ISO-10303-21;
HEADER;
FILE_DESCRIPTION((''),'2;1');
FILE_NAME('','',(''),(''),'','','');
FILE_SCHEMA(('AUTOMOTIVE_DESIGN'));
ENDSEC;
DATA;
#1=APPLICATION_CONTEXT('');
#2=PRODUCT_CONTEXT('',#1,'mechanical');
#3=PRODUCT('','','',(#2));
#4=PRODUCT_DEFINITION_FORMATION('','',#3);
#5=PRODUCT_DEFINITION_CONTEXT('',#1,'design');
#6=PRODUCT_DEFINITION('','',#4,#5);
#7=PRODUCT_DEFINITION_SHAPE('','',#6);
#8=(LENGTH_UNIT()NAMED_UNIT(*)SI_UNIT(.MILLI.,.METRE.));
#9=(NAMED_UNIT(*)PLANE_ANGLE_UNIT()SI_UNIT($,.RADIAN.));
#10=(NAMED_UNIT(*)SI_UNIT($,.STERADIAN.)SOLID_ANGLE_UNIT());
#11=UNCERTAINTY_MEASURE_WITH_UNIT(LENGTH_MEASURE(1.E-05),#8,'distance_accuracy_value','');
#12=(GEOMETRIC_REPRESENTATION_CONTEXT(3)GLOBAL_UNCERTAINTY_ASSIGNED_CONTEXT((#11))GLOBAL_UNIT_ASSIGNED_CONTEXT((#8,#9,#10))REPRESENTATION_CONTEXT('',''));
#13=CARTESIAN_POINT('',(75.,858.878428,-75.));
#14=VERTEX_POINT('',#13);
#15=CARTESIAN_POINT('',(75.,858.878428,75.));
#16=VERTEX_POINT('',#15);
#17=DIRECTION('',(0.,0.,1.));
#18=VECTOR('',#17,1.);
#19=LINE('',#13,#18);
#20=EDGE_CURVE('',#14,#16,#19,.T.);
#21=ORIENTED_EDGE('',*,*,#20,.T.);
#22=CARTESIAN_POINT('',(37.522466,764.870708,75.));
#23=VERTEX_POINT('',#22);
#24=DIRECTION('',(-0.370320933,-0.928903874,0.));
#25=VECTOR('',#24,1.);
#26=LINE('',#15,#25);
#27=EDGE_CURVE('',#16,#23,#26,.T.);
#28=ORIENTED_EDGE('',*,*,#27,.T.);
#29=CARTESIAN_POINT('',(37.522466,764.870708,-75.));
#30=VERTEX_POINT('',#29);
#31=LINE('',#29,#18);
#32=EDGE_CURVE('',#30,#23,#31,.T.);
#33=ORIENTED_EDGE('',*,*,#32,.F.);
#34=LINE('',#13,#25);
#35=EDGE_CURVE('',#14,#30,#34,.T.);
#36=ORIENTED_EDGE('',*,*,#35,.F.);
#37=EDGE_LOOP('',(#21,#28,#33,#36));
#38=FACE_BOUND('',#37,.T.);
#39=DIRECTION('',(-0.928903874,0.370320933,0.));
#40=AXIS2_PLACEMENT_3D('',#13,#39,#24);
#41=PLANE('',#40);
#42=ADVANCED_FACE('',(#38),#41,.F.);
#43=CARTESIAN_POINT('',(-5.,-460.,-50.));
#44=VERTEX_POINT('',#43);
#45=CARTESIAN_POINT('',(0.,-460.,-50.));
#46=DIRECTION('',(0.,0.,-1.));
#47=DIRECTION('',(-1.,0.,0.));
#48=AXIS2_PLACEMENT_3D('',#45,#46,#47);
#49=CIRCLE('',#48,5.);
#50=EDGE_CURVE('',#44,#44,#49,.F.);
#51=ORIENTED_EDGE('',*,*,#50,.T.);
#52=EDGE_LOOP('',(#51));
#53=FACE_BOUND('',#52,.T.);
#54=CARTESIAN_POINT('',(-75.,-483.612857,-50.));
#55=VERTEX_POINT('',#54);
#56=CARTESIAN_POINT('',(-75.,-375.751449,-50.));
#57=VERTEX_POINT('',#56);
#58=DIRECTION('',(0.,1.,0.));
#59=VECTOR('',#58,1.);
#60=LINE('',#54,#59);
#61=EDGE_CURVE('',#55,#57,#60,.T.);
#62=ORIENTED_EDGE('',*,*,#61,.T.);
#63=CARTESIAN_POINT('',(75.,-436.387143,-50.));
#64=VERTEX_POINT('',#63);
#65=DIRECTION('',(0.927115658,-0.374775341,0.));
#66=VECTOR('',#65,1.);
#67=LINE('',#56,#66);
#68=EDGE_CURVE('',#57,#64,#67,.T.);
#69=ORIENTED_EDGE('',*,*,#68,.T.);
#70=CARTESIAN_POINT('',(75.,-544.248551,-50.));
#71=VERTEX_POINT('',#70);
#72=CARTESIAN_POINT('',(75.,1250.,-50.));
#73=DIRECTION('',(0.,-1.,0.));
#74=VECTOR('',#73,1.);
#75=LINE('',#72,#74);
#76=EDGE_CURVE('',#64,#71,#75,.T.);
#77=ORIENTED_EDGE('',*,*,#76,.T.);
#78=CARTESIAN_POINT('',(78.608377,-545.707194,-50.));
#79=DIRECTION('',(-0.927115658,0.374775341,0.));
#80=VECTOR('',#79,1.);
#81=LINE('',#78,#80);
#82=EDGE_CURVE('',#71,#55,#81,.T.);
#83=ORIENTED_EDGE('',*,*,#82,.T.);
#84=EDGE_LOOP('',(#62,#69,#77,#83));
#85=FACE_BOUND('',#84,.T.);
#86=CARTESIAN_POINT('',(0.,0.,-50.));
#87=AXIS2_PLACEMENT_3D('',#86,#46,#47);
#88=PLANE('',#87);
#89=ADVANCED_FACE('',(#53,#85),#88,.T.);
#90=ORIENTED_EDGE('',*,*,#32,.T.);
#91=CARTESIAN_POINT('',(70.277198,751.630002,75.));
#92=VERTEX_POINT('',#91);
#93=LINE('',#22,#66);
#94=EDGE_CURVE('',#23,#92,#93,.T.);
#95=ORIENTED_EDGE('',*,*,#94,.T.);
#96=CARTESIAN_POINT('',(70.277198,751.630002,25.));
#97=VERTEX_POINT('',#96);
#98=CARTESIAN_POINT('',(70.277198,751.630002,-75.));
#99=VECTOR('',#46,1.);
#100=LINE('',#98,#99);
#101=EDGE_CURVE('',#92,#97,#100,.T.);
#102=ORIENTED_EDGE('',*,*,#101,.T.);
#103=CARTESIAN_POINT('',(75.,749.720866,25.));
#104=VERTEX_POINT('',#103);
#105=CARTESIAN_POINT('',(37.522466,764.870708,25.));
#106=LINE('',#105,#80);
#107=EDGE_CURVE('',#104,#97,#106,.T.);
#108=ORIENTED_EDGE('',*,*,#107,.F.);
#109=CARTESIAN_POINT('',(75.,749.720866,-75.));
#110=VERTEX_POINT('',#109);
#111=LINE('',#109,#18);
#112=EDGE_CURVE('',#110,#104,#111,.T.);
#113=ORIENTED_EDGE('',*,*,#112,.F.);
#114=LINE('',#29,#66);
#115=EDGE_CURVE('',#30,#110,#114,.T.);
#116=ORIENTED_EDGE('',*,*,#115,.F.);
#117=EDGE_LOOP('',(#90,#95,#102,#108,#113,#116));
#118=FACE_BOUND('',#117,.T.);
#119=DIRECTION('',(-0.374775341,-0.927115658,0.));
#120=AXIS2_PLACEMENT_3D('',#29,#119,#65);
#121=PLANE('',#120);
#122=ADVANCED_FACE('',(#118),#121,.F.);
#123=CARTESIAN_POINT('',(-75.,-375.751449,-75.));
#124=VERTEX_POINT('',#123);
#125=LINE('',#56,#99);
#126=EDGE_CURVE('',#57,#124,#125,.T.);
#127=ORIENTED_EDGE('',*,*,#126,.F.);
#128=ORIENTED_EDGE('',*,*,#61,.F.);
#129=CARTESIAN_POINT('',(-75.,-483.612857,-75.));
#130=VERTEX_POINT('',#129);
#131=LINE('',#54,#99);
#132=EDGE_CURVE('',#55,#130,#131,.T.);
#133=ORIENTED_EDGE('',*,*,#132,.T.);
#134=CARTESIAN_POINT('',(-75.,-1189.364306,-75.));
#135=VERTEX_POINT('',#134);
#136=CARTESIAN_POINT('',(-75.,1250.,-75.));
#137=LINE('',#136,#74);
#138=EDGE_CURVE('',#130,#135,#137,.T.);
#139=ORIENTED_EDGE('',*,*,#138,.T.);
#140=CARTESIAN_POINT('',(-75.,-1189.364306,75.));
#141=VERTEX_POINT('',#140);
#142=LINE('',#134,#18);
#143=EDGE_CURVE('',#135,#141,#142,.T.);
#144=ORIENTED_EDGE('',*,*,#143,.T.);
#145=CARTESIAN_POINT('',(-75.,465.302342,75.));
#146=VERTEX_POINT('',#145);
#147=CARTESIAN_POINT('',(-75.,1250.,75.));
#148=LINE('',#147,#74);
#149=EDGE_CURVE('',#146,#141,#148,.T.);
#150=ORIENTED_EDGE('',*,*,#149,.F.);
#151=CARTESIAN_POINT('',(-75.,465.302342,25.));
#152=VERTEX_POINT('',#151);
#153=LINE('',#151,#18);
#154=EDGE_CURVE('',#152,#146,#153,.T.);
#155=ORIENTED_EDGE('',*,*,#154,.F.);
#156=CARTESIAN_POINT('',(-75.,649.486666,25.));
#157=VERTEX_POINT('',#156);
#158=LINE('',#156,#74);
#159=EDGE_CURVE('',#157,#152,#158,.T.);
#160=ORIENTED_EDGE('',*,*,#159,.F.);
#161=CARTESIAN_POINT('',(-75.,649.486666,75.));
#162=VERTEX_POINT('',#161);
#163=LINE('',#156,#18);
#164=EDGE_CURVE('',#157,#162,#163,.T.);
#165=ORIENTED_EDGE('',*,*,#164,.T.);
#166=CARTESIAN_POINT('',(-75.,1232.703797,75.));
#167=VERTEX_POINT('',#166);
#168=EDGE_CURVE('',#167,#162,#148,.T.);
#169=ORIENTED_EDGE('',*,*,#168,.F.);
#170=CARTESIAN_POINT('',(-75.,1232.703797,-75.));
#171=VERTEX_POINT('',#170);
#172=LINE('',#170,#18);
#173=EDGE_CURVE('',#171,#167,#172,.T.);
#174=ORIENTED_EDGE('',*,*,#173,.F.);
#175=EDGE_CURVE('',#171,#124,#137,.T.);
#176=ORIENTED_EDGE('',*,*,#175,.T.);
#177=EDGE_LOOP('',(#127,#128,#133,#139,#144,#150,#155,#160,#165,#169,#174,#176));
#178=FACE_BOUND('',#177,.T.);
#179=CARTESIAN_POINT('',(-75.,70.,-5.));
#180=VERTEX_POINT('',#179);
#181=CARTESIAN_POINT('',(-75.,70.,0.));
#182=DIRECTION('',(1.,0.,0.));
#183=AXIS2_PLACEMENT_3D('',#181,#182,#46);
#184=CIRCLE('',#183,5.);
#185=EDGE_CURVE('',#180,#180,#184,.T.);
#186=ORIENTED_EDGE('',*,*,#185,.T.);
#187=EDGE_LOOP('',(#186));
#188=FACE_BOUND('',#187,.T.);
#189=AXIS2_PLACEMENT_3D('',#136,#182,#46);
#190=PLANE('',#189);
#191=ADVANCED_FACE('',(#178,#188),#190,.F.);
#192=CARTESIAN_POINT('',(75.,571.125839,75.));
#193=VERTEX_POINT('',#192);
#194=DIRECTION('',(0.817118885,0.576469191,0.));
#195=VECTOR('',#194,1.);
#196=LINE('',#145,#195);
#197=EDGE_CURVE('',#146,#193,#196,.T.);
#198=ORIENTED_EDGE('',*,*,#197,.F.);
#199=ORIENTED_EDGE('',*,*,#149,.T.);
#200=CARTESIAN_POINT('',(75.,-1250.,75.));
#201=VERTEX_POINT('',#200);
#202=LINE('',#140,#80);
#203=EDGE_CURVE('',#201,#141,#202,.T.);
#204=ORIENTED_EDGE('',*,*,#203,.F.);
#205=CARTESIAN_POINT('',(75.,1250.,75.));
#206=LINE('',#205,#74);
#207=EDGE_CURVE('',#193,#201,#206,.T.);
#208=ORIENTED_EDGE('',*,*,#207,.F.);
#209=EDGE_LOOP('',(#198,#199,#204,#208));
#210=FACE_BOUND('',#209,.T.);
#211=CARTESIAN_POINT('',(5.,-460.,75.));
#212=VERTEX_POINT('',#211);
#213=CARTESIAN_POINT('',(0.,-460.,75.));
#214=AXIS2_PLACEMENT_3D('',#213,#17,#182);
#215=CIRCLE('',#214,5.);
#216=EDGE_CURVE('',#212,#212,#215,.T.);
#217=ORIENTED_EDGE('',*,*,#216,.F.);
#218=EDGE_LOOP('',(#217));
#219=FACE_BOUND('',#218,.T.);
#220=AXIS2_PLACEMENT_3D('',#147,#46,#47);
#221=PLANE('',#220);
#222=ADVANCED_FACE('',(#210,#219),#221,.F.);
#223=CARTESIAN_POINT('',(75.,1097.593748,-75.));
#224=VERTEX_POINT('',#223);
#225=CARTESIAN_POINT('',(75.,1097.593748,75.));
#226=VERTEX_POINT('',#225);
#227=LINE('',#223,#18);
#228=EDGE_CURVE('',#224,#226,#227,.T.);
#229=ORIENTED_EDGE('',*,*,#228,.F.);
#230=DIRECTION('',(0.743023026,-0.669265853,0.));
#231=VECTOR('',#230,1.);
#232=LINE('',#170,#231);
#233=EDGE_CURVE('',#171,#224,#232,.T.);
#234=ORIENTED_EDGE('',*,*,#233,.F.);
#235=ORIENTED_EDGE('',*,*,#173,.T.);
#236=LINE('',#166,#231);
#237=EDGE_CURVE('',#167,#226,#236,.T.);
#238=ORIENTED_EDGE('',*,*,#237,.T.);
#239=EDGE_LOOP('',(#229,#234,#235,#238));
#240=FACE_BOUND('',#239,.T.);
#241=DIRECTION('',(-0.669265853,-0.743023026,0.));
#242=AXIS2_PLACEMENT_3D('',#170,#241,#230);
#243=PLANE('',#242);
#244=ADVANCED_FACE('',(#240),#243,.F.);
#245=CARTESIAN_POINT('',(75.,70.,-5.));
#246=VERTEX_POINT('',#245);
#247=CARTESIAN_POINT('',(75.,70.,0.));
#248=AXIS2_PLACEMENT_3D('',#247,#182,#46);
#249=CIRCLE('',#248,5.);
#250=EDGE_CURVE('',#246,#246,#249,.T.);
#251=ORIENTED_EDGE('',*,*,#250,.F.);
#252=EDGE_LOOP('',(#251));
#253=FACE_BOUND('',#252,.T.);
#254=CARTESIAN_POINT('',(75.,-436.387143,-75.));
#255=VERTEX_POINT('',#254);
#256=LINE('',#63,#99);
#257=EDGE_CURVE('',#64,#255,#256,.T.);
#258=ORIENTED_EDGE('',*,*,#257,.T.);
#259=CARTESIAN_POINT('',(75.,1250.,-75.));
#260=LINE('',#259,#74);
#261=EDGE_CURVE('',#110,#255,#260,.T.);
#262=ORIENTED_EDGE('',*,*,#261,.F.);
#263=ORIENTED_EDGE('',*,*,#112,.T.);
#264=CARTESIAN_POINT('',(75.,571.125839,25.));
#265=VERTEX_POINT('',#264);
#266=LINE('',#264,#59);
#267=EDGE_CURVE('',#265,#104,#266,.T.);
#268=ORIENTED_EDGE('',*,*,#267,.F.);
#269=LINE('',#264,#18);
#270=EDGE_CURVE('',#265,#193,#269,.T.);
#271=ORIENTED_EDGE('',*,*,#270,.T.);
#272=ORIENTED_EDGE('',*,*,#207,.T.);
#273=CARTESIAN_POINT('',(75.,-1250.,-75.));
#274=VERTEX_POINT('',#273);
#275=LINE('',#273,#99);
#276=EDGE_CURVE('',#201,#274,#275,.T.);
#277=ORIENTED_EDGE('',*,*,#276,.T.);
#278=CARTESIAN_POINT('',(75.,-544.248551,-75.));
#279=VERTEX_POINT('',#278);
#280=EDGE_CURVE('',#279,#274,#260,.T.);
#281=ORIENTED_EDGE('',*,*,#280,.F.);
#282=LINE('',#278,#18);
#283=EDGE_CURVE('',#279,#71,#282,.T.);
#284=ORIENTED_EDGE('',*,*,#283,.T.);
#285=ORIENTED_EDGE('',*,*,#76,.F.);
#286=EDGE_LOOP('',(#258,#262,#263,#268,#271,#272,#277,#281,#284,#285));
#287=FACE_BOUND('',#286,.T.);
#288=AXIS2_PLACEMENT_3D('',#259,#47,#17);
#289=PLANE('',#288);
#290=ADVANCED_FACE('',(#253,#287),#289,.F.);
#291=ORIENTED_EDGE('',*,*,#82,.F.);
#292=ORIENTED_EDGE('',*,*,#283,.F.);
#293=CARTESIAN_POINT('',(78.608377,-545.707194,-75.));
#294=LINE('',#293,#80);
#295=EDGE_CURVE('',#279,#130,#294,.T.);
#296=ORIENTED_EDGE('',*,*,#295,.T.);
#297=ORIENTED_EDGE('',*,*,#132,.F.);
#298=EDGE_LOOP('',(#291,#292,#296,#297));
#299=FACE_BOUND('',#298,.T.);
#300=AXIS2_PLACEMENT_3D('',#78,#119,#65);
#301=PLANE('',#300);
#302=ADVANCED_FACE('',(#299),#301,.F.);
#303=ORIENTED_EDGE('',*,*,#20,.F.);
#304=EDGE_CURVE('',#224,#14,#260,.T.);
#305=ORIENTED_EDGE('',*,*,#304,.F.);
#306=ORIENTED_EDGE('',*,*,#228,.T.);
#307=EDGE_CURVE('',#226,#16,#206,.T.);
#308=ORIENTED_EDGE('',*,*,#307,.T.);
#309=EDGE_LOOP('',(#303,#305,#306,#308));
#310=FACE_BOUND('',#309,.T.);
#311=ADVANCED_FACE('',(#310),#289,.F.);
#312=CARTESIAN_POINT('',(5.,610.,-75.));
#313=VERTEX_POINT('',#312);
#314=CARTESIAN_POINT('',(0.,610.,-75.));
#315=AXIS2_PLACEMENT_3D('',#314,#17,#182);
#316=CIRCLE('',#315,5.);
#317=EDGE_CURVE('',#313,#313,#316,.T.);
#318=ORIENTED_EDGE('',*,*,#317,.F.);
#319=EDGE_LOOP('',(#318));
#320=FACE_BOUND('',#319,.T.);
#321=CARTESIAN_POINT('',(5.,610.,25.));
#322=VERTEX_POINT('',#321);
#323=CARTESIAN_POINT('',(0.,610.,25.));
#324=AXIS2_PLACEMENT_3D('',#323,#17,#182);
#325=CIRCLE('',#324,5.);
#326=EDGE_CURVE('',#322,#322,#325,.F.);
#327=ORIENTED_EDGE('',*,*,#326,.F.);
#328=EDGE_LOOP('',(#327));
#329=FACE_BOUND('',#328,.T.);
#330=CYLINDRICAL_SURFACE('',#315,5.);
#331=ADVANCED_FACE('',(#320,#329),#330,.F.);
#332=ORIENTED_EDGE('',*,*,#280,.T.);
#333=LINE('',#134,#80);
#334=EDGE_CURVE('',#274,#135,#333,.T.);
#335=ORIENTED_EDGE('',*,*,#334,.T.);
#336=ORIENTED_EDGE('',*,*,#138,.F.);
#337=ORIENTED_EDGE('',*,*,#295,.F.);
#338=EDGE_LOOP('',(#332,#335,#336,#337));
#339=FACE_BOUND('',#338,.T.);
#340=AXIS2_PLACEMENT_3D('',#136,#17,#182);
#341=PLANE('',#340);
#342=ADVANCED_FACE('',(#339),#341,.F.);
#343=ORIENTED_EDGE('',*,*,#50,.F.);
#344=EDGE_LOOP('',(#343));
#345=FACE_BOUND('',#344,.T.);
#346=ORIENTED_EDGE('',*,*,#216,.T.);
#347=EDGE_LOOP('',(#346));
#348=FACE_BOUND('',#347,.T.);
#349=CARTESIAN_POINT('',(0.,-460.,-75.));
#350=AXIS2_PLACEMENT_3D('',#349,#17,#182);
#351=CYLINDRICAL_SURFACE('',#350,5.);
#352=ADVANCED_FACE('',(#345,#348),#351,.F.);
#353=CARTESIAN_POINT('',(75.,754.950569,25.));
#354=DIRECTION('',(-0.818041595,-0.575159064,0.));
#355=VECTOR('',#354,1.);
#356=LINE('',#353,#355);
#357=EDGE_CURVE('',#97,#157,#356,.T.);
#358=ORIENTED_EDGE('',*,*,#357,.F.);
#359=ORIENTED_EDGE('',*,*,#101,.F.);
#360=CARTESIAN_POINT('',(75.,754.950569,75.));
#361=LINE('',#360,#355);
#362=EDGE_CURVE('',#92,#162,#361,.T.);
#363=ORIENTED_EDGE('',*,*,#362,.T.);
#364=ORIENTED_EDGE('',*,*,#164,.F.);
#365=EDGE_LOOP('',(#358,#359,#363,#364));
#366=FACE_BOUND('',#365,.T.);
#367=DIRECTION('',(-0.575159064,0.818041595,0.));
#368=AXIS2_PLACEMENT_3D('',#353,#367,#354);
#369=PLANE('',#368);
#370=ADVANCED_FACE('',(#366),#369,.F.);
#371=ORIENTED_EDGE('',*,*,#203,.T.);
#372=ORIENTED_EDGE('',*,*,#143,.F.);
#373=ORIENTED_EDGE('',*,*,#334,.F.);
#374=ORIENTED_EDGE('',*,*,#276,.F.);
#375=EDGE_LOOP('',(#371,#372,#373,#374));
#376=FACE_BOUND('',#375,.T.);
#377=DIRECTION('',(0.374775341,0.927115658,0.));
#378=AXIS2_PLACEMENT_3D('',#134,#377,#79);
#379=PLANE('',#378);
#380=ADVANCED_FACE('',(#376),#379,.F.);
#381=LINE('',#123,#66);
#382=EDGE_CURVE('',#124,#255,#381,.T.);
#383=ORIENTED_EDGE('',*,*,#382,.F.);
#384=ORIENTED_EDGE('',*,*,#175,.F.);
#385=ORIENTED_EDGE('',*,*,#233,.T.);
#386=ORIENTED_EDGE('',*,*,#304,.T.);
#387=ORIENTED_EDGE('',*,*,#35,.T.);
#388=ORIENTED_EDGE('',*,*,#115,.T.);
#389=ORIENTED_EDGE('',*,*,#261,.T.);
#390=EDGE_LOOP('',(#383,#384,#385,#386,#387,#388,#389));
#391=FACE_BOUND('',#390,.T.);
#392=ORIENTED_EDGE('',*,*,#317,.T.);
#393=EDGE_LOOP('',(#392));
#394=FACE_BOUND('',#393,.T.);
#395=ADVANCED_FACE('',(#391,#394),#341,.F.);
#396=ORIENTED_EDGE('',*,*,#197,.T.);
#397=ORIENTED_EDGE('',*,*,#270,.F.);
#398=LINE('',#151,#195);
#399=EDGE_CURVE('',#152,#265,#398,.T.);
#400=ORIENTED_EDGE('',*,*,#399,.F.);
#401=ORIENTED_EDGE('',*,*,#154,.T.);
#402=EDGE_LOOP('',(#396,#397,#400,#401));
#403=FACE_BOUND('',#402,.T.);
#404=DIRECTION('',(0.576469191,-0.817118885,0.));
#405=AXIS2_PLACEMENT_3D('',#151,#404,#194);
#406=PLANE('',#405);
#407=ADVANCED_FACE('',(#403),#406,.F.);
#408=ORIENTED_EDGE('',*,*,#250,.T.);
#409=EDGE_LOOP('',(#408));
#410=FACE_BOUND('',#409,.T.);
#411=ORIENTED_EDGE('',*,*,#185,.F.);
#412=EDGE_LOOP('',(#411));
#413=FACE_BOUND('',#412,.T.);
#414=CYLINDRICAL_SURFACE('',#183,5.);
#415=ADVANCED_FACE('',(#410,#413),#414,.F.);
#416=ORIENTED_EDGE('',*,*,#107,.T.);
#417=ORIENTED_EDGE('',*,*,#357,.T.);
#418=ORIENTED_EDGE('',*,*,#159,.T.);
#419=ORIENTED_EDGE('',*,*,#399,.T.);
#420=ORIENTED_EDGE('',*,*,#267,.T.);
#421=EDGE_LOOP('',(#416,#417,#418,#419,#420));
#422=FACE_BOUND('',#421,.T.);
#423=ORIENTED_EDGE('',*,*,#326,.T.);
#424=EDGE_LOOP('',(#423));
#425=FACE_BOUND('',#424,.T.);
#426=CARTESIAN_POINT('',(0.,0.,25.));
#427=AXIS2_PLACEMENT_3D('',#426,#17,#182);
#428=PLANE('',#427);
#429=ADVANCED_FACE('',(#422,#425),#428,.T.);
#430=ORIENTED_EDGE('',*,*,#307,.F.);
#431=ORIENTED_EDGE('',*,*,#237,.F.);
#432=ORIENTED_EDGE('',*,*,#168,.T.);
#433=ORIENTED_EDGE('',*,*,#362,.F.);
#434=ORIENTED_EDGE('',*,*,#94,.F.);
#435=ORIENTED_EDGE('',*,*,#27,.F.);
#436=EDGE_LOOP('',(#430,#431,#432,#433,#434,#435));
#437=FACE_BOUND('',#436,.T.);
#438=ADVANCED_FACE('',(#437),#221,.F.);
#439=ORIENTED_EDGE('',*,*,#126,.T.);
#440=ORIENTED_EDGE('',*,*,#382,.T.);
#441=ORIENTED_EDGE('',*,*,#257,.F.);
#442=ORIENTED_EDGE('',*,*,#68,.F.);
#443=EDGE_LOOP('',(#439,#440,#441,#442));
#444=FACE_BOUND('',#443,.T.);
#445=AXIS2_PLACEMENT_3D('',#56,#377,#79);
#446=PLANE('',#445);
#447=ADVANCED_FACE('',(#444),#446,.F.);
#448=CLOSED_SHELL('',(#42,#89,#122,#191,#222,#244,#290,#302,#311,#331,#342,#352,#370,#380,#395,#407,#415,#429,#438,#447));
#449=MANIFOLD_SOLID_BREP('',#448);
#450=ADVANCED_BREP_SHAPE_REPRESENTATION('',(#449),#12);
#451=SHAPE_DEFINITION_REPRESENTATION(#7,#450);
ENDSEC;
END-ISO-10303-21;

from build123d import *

# Parameters (mm, degrees)
SKETCH1_W           = 150
SKETCH1_H           = 150
BOSS_EXTRUDE1_DEPTH = 1250
SKETCH2_R           = 5
CUT_EXTRUDE1_DEPTH  = 1262.199825563
ROOFCUT_DEPTH       = 1262.199825563
TOPCUT_DEPTH        = 1262.199825563
SKETCH5_R           = 5
CUT_EXTRUDE4_DEPTH  = 1262.199825563
CUT_EXTRUDE5_DEPTH  = 50
CUT_EXTRUDE6_DEPTH  = 25
CUT_EXTRUDE7_DEPTH  = 1262.199825563


with BuildPart() as part:
    # Sketch1 → Boss-Extrude1 (new, symmetric)
    with BuildSketch(Plane(origin=(0, 0, 0), x_dir=(1, 0, 0), z_dir=(0, 1, 0))):
        Rectangle(SKETCH1_W, SKETCH1_H)
    extrude(amount=BOSS_EXTRUDE1_DEPTH, both=True)

    # Sketch2 → Cut-Extrude1 (cut, through all)
    with BuildSketch(Plane.XY.offset(75)):
        with Locations((0, 610)):
            Circle(SKETCH2_R)
        with Locations((0, -460)):
            Circle(SKETCH2_R)
    extrude(amount=-CUT_EXTRUDE1_DEPTH, mode=Mode.SUBTRACT)

    # Sketch3 → RoofCut (cut, through all)
    with BuildSketch(Plane.XY.offset(75)):
        Polygon((-75, 1232.703797136), (75, 1097.593747534), (75, 1250), (-75, 1250), align=None)
    extrude(amount=-ROOFCUT_DEPTH, mode=Mode.SUBTRACT)

    # Sketch4 → TopCut (cut, through all)
    with BuildSketch(Plane.XY.offset(75)):
        Polygon((75, 858.878428235), (37.522465852, 764.870707964), (75, 749.720866047), align=None)
    extrude(amount=-TOPCUT_DEPTH, mode=Mode.SUBTRACT)

    # Sketch5 → Cut-Extrude4 (cut, through all)
    with BuildSketch(Plane(origin=(75, 0, 0), x_dir=(0, 0, -1), z_dir=(1, 0, 0))):
        with Locations((0, 70)):
            Circle(SKETCH5_R)
    extrude(amount=-CUT_EXTRUDE4_DEPTH, mode=Mode.SUBTRACT)

    # Sketch7 → Cut-Extrude5 (cut)
    with BuildSketch(Plane.XY.offset(75)):
        Polygon((-75, 649.486666068), (-75, 465.302341615), (75, 571.125839473), (75, 754.950569225), align=None)
    extrude(amount=-CUT_EXTRUDE5_DEPTH, mode=Mode.SUBTRACT)

    # Sketch8 → Cut-Extrude6 (cut)
    with BuildSketch(Plane(origin=(0, 0, -75), x_dir=(-1, 0, 0), z_dir=(0, 0, -1))):
        Polygon((-78.608377022, -545.707193758), (75, -483.612856927), (75, -375.751449205), (-75, -436.387143073), align=None)
    extrude(amount=-CUT_EXTRUDE6_DEPTH, mode=Mode.SUBTRACT)

    # Sketch9 → Cut-Extrude7 (cut, through all)
    with BuildSketch(Plane.XY.offset(75)):
        Polygon((-75, -1189.364306132), (75, -1250), (-75, -1250), align=None)
    extrude(amount=-CUT_EXTRUDE7_DEPTH, mode=Mode.SUBTRACT)


solid = part.part
